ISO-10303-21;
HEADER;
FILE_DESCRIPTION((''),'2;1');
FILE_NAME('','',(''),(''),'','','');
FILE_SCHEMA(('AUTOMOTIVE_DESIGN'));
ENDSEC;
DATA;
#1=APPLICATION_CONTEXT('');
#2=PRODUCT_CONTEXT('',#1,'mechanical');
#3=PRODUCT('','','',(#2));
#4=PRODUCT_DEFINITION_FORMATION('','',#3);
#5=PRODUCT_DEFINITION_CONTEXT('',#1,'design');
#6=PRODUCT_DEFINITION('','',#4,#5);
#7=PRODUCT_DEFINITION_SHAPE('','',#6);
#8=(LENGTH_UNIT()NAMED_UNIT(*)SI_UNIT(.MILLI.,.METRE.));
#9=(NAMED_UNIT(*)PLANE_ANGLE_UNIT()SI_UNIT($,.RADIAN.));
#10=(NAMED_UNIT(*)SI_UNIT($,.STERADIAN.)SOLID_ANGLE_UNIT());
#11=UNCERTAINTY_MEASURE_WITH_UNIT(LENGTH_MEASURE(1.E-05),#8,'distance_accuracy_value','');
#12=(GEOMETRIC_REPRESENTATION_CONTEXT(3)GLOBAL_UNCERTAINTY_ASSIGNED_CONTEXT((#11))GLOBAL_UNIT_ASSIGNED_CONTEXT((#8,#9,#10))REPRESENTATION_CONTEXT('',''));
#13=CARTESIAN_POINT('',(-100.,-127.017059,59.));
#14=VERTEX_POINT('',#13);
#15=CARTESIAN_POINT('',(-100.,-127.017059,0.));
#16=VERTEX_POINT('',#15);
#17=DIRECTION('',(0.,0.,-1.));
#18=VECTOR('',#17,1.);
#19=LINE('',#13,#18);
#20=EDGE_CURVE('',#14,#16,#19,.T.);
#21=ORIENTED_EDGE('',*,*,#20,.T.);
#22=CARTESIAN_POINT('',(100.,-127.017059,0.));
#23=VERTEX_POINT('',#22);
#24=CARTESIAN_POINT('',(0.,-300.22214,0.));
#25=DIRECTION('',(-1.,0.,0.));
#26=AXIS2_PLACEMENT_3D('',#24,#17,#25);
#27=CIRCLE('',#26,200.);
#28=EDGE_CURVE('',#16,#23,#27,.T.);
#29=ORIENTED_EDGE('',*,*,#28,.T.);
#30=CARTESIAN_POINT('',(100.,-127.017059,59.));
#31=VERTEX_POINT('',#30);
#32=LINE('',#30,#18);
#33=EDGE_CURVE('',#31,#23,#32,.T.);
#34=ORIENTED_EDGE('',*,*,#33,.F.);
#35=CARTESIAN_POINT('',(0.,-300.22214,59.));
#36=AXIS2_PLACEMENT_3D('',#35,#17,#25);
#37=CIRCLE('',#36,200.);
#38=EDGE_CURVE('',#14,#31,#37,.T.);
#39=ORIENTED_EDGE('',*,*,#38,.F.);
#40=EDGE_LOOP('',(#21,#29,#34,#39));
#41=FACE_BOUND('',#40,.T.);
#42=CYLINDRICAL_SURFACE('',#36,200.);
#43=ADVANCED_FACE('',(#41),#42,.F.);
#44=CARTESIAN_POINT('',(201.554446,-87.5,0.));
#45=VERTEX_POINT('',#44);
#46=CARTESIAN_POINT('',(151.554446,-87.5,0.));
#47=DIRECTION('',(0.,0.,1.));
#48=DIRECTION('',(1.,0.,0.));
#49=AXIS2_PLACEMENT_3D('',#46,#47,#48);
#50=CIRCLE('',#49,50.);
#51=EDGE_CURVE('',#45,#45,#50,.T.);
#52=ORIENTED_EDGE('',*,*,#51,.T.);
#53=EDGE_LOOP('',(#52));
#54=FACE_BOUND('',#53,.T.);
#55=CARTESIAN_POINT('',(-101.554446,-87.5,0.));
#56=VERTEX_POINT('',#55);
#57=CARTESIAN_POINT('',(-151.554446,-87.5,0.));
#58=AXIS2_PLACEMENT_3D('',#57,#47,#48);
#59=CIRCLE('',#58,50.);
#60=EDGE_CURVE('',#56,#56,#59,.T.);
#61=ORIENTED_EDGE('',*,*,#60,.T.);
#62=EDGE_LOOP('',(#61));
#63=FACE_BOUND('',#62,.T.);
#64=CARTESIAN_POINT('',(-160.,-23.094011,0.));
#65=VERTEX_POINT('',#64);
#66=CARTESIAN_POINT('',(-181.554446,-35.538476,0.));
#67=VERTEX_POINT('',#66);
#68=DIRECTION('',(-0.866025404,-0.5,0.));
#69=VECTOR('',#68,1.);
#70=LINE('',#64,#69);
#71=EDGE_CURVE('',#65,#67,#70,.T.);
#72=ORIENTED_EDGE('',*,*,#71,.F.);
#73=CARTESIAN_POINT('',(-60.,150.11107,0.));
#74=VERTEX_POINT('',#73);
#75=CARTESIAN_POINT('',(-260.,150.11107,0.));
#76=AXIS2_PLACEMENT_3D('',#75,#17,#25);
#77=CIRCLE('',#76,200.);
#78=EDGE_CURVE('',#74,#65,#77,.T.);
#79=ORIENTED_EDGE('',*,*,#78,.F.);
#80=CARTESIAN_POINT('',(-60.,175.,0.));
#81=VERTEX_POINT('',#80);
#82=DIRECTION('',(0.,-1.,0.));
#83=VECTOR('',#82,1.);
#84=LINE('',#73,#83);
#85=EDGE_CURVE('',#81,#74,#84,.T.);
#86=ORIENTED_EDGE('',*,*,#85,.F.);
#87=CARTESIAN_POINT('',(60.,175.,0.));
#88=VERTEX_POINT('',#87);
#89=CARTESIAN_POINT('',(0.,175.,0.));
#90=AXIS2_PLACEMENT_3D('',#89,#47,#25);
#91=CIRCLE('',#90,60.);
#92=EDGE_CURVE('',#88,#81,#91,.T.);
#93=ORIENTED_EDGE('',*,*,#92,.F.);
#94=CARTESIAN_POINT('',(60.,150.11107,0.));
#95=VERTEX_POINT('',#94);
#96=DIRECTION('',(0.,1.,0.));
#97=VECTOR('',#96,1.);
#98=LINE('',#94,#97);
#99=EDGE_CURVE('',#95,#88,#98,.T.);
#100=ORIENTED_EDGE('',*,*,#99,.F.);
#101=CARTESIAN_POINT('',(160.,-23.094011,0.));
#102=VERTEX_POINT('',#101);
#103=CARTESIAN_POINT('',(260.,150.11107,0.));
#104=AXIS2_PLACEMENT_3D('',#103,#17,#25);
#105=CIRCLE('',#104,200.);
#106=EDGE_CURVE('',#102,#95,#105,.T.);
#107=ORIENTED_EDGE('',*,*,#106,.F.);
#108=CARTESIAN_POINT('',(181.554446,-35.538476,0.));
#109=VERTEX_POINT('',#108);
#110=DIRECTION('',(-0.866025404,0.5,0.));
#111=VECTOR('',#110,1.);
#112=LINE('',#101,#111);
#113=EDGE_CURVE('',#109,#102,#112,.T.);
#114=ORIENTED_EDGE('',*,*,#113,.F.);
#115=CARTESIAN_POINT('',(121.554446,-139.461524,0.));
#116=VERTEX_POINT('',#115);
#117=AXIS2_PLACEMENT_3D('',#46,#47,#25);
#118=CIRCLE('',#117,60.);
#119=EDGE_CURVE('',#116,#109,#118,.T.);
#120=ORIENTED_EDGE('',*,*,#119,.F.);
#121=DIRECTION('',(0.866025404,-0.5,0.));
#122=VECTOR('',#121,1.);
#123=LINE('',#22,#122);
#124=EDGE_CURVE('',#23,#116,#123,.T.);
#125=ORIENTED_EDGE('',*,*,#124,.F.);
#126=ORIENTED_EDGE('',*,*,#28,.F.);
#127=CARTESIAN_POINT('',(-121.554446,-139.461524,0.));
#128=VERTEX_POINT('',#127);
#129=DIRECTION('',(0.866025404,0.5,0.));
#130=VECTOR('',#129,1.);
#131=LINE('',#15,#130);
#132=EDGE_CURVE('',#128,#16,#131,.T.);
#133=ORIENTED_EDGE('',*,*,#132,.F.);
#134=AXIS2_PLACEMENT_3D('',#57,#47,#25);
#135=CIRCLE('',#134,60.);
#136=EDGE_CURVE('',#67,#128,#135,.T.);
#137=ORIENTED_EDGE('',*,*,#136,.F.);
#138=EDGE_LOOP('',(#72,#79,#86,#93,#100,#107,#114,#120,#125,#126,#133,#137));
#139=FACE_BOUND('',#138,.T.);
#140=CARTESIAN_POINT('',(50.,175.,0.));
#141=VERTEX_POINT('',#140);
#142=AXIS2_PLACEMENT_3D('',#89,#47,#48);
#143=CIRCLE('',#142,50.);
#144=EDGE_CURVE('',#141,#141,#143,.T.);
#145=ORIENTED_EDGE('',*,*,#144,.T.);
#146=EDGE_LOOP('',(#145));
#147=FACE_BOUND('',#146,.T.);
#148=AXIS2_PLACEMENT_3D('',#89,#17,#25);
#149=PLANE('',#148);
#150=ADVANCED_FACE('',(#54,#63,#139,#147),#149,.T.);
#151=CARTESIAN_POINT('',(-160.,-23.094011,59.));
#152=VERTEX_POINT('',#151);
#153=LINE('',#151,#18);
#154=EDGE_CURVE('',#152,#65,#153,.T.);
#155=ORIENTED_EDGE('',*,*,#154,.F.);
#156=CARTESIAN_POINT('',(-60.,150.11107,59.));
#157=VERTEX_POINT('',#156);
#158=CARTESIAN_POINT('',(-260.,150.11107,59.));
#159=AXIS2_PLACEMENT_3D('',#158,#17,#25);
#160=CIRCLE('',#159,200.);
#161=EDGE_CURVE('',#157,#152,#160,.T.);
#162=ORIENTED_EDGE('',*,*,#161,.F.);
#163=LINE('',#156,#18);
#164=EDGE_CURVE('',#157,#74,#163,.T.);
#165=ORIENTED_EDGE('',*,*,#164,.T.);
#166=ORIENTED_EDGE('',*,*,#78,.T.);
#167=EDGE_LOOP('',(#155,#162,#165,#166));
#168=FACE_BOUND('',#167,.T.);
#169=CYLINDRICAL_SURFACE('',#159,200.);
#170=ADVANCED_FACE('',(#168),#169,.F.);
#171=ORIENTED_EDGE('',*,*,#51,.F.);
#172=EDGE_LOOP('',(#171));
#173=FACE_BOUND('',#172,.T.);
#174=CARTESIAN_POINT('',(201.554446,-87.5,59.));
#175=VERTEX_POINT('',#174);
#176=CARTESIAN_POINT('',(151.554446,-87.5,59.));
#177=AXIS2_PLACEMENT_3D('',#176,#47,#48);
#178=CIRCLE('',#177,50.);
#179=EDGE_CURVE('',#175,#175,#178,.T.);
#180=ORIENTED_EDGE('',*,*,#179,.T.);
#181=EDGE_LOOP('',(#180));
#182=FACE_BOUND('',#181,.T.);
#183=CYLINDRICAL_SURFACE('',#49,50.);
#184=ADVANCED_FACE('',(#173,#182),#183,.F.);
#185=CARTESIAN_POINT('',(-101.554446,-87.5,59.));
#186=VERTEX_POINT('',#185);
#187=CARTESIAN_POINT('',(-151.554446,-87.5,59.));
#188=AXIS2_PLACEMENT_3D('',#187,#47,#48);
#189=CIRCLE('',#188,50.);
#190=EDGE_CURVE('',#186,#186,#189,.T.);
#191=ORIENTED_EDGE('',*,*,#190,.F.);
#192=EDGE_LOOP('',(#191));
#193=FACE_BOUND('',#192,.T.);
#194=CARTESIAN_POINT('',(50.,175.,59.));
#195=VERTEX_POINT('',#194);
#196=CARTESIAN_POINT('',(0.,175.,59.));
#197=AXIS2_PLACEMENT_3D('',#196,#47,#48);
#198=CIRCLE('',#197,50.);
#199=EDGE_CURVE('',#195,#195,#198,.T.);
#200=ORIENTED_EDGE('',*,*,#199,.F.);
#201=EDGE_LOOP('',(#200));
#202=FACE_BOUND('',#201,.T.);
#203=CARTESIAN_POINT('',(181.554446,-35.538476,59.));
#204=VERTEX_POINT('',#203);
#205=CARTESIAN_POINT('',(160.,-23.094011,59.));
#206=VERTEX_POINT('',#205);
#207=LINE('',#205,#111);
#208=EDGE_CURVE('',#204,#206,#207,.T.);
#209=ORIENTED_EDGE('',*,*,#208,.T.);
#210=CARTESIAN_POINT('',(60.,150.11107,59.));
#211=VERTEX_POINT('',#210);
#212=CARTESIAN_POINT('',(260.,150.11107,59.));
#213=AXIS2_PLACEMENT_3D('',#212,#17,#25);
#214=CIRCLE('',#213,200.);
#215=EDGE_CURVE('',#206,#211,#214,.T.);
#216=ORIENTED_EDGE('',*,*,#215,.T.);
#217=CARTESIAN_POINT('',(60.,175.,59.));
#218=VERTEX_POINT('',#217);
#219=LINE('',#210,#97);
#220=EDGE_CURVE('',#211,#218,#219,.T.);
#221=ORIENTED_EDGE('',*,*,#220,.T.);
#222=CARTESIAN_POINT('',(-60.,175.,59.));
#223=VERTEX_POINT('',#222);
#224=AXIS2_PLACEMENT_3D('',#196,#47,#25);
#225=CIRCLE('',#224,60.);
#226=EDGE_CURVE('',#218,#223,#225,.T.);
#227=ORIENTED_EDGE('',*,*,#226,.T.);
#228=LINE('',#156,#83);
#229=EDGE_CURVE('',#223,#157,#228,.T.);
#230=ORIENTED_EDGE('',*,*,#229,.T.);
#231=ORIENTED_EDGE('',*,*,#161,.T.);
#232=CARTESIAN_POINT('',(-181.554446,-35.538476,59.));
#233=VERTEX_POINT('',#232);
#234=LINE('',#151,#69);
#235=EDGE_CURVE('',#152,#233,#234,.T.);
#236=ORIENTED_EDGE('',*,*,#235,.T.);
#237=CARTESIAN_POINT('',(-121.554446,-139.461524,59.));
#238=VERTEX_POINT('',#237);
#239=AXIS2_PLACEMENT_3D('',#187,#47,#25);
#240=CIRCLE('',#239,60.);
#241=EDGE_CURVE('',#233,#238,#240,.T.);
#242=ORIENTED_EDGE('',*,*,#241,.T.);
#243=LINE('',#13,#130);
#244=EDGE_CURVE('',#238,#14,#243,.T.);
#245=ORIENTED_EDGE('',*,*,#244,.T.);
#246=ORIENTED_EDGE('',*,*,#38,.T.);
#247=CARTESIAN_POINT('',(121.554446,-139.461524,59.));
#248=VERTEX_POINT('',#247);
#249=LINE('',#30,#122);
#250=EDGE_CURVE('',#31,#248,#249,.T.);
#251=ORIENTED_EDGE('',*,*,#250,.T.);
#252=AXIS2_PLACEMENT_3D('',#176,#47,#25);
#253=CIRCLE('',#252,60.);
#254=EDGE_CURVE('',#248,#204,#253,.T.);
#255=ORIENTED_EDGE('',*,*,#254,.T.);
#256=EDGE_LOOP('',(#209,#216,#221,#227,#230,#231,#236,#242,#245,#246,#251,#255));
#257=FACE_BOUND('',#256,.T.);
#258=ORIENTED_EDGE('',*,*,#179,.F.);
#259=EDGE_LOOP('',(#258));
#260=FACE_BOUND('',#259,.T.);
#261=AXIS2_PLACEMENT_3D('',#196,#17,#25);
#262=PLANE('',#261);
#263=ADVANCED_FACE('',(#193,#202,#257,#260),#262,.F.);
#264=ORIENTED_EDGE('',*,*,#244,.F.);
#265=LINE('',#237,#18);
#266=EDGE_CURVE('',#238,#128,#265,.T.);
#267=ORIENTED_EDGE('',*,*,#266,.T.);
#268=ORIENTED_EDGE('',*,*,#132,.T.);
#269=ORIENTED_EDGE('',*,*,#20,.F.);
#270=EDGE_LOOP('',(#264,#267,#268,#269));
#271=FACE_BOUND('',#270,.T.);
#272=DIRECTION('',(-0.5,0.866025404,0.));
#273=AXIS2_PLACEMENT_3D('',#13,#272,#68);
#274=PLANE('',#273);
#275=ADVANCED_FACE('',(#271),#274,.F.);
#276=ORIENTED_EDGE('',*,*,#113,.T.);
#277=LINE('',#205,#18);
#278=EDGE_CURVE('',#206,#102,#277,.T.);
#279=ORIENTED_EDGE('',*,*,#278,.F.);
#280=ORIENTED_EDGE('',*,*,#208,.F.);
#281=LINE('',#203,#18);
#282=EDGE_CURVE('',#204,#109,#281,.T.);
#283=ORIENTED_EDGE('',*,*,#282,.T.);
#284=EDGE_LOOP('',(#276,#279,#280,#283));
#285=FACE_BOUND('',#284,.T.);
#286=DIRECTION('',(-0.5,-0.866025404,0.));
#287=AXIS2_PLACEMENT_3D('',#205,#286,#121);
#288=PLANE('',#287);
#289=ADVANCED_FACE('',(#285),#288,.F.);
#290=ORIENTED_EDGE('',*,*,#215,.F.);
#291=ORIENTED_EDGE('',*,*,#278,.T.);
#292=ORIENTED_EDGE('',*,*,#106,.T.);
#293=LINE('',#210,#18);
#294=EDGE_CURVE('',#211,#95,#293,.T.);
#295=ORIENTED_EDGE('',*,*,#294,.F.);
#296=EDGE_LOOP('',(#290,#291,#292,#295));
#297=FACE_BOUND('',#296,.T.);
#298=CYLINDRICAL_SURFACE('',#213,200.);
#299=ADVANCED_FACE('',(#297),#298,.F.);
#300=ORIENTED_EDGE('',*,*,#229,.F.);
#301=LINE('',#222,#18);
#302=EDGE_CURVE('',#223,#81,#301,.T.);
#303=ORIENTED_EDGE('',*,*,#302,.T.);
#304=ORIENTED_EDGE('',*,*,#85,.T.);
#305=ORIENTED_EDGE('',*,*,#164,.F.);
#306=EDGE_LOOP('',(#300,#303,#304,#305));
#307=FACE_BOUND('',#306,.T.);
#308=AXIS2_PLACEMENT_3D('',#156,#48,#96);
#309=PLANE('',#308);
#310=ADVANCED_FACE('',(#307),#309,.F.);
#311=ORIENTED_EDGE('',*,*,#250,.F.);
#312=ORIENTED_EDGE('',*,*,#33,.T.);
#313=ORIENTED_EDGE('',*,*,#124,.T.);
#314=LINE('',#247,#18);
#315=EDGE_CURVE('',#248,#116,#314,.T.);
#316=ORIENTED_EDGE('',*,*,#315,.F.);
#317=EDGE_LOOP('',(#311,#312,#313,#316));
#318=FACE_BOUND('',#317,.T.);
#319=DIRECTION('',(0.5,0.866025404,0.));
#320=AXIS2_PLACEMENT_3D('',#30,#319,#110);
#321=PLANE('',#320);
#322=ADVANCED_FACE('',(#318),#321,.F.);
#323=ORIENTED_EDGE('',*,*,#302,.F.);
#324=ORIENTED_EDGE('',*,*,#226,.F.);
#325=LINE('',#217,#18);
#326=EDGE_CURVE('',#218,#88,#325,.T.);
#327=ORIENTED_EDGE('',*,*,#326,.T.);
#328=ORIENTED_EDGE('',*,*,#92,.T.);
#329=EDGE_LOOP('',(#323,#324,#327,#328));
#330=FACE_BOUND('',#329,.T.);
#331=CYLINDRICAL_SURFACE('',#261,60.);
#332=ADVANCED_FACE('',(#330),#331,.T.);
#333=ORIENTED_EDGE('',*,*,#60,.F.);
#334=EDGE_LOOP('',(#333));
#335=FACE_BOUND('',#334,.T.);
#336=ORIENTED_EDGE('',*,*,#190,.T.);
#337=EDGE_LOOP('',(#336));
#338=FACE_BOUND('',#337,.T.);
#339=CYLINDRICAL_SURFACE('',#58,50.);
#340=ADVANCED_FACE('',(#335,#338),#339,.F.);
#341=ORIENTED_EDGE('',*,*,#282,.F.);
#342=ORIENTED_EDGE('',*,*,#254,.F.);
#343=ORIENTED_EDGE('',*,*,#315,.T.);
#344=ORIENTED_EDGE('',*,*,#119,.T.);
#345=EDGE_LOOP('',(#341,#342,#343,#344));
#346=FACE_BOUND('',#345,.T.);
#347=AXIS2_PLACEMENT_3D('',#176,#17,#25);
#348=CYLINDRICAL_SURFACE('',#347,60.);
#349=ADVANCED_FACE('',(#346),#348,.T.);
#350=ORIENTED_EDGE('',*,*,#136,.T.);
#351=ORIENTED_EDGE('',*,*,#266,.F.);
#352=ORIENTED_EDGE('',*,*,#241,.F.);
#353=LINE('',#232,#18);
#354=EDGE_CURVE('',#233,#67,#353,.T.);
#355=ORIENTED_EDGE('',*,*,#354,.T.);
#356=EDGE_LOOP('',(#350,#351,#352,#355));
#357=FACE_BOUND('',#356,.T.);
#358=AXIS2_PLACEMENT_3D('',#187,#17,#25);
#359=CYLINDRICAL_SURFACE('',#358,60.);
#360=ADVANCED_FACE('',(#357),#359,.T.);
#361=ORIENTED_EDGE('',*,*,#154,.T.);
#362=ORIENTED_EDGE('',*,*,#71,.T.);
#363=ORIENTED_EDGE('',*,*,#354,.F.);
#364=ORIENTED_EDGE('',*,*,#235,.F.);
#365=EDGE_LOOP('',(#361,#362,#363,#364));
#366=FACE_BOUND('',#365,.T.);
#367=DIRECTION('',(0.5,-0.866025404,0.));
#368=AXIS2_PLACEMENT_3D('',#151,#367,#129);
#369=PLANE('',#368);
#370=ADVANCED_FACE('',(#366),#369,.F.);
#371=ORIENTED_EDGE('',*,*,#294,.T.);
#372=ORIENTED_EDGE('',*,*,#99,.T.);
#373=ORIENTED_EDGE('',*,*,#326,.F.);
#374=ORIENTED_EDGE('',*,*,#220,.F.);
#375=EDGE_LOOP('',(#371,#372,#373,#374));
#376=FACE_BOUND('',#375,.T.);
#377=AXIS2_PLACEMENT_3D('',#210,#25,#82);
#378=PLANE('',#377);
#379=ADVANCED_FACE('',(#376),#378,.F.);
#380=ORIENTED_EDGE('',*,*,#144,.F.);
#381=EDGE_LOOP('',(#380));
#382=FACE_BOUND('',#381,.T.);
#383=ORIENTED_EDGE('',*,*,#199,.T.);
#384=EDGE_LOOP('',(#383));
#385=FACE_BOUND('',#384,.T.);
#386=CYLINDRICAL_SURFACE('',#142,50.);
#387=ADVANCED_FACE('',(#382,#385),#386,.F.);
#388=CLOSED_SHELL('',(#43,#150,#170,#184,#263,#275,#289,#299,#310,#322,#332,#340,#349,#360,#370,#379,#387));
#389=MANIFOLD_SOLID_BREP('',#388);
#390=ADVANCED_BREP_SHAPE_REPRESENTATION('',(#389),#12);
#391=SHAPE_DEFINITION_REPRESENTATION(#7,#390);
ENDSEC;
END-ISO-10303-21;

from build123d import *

# Parameters (mm, degrees)
EXTRUDE_1_DEPTH     = 59
SKETCH_2_R          = 50
CUT_EXTRUDE_1_DEPTH = 322.653980979


with BuildPart() as part:
    # 草图1 → 凸台-拉伸1 (new body)
    with BuildSketch(Plane.XY):
        with BuildLine():
            Line((-60, 150.111069989), (-60, 175))
            ThreePointArc((-60, 175), (0, 235), (60, 175))
            Line((60, 175), (60, 150.111069989))
            ThreePointArc((60, 150.111069989), (86.794919243, 50.111069989), (160, -23.094010768))
            Line((160, -23.094010768), (181.554445662, -35.538475773))
            ThreePointArc((181.554445662, -35.538475773), (203.515969889, -117.5), (121.554445662, -139.461524227))
            Line((121.554445662, -139.461524227), (100, -127.017059222))
            ThreePointArc((100, -127.017059222), (0, -100.222139979), (-100, -127.017059222))
            Line((-100, -127.017059222), (-121.554445662, -139.461524227))
            ThreePointArc((-121.554445662, -139.461524227), (-203.515969889, -117.5), (-181.554445662, -35.538475773))
            Line((-181.554445662, -35.538475773), (-160, -23.094010768))
            ThreePointArc((-160, -23.094010768), (-86.794919243, 50.111069989), (-60, 150.111069989))
        make_face()
    extrude(amount=EXTRUDE_1_DEPTH)

    # 草图2 → 切除-拉伸1 (cut, through all)
    with BuildSketch(Plane.XY.offset(59)):
        with Locations((-151.554445662, -87.5)):
            Circle(SKETCH_2_R)
        with Locations((0, 175)):
            Circle(SKETCH_2_R)
        with Locations((151.554445662, -87.5)):
            Circle(SKETCH_2_R)
    extrude(amount=-CUT_EXTRUDE_1_DEPTH, mode=Mode.SUBTRACT)


solid = part.part
